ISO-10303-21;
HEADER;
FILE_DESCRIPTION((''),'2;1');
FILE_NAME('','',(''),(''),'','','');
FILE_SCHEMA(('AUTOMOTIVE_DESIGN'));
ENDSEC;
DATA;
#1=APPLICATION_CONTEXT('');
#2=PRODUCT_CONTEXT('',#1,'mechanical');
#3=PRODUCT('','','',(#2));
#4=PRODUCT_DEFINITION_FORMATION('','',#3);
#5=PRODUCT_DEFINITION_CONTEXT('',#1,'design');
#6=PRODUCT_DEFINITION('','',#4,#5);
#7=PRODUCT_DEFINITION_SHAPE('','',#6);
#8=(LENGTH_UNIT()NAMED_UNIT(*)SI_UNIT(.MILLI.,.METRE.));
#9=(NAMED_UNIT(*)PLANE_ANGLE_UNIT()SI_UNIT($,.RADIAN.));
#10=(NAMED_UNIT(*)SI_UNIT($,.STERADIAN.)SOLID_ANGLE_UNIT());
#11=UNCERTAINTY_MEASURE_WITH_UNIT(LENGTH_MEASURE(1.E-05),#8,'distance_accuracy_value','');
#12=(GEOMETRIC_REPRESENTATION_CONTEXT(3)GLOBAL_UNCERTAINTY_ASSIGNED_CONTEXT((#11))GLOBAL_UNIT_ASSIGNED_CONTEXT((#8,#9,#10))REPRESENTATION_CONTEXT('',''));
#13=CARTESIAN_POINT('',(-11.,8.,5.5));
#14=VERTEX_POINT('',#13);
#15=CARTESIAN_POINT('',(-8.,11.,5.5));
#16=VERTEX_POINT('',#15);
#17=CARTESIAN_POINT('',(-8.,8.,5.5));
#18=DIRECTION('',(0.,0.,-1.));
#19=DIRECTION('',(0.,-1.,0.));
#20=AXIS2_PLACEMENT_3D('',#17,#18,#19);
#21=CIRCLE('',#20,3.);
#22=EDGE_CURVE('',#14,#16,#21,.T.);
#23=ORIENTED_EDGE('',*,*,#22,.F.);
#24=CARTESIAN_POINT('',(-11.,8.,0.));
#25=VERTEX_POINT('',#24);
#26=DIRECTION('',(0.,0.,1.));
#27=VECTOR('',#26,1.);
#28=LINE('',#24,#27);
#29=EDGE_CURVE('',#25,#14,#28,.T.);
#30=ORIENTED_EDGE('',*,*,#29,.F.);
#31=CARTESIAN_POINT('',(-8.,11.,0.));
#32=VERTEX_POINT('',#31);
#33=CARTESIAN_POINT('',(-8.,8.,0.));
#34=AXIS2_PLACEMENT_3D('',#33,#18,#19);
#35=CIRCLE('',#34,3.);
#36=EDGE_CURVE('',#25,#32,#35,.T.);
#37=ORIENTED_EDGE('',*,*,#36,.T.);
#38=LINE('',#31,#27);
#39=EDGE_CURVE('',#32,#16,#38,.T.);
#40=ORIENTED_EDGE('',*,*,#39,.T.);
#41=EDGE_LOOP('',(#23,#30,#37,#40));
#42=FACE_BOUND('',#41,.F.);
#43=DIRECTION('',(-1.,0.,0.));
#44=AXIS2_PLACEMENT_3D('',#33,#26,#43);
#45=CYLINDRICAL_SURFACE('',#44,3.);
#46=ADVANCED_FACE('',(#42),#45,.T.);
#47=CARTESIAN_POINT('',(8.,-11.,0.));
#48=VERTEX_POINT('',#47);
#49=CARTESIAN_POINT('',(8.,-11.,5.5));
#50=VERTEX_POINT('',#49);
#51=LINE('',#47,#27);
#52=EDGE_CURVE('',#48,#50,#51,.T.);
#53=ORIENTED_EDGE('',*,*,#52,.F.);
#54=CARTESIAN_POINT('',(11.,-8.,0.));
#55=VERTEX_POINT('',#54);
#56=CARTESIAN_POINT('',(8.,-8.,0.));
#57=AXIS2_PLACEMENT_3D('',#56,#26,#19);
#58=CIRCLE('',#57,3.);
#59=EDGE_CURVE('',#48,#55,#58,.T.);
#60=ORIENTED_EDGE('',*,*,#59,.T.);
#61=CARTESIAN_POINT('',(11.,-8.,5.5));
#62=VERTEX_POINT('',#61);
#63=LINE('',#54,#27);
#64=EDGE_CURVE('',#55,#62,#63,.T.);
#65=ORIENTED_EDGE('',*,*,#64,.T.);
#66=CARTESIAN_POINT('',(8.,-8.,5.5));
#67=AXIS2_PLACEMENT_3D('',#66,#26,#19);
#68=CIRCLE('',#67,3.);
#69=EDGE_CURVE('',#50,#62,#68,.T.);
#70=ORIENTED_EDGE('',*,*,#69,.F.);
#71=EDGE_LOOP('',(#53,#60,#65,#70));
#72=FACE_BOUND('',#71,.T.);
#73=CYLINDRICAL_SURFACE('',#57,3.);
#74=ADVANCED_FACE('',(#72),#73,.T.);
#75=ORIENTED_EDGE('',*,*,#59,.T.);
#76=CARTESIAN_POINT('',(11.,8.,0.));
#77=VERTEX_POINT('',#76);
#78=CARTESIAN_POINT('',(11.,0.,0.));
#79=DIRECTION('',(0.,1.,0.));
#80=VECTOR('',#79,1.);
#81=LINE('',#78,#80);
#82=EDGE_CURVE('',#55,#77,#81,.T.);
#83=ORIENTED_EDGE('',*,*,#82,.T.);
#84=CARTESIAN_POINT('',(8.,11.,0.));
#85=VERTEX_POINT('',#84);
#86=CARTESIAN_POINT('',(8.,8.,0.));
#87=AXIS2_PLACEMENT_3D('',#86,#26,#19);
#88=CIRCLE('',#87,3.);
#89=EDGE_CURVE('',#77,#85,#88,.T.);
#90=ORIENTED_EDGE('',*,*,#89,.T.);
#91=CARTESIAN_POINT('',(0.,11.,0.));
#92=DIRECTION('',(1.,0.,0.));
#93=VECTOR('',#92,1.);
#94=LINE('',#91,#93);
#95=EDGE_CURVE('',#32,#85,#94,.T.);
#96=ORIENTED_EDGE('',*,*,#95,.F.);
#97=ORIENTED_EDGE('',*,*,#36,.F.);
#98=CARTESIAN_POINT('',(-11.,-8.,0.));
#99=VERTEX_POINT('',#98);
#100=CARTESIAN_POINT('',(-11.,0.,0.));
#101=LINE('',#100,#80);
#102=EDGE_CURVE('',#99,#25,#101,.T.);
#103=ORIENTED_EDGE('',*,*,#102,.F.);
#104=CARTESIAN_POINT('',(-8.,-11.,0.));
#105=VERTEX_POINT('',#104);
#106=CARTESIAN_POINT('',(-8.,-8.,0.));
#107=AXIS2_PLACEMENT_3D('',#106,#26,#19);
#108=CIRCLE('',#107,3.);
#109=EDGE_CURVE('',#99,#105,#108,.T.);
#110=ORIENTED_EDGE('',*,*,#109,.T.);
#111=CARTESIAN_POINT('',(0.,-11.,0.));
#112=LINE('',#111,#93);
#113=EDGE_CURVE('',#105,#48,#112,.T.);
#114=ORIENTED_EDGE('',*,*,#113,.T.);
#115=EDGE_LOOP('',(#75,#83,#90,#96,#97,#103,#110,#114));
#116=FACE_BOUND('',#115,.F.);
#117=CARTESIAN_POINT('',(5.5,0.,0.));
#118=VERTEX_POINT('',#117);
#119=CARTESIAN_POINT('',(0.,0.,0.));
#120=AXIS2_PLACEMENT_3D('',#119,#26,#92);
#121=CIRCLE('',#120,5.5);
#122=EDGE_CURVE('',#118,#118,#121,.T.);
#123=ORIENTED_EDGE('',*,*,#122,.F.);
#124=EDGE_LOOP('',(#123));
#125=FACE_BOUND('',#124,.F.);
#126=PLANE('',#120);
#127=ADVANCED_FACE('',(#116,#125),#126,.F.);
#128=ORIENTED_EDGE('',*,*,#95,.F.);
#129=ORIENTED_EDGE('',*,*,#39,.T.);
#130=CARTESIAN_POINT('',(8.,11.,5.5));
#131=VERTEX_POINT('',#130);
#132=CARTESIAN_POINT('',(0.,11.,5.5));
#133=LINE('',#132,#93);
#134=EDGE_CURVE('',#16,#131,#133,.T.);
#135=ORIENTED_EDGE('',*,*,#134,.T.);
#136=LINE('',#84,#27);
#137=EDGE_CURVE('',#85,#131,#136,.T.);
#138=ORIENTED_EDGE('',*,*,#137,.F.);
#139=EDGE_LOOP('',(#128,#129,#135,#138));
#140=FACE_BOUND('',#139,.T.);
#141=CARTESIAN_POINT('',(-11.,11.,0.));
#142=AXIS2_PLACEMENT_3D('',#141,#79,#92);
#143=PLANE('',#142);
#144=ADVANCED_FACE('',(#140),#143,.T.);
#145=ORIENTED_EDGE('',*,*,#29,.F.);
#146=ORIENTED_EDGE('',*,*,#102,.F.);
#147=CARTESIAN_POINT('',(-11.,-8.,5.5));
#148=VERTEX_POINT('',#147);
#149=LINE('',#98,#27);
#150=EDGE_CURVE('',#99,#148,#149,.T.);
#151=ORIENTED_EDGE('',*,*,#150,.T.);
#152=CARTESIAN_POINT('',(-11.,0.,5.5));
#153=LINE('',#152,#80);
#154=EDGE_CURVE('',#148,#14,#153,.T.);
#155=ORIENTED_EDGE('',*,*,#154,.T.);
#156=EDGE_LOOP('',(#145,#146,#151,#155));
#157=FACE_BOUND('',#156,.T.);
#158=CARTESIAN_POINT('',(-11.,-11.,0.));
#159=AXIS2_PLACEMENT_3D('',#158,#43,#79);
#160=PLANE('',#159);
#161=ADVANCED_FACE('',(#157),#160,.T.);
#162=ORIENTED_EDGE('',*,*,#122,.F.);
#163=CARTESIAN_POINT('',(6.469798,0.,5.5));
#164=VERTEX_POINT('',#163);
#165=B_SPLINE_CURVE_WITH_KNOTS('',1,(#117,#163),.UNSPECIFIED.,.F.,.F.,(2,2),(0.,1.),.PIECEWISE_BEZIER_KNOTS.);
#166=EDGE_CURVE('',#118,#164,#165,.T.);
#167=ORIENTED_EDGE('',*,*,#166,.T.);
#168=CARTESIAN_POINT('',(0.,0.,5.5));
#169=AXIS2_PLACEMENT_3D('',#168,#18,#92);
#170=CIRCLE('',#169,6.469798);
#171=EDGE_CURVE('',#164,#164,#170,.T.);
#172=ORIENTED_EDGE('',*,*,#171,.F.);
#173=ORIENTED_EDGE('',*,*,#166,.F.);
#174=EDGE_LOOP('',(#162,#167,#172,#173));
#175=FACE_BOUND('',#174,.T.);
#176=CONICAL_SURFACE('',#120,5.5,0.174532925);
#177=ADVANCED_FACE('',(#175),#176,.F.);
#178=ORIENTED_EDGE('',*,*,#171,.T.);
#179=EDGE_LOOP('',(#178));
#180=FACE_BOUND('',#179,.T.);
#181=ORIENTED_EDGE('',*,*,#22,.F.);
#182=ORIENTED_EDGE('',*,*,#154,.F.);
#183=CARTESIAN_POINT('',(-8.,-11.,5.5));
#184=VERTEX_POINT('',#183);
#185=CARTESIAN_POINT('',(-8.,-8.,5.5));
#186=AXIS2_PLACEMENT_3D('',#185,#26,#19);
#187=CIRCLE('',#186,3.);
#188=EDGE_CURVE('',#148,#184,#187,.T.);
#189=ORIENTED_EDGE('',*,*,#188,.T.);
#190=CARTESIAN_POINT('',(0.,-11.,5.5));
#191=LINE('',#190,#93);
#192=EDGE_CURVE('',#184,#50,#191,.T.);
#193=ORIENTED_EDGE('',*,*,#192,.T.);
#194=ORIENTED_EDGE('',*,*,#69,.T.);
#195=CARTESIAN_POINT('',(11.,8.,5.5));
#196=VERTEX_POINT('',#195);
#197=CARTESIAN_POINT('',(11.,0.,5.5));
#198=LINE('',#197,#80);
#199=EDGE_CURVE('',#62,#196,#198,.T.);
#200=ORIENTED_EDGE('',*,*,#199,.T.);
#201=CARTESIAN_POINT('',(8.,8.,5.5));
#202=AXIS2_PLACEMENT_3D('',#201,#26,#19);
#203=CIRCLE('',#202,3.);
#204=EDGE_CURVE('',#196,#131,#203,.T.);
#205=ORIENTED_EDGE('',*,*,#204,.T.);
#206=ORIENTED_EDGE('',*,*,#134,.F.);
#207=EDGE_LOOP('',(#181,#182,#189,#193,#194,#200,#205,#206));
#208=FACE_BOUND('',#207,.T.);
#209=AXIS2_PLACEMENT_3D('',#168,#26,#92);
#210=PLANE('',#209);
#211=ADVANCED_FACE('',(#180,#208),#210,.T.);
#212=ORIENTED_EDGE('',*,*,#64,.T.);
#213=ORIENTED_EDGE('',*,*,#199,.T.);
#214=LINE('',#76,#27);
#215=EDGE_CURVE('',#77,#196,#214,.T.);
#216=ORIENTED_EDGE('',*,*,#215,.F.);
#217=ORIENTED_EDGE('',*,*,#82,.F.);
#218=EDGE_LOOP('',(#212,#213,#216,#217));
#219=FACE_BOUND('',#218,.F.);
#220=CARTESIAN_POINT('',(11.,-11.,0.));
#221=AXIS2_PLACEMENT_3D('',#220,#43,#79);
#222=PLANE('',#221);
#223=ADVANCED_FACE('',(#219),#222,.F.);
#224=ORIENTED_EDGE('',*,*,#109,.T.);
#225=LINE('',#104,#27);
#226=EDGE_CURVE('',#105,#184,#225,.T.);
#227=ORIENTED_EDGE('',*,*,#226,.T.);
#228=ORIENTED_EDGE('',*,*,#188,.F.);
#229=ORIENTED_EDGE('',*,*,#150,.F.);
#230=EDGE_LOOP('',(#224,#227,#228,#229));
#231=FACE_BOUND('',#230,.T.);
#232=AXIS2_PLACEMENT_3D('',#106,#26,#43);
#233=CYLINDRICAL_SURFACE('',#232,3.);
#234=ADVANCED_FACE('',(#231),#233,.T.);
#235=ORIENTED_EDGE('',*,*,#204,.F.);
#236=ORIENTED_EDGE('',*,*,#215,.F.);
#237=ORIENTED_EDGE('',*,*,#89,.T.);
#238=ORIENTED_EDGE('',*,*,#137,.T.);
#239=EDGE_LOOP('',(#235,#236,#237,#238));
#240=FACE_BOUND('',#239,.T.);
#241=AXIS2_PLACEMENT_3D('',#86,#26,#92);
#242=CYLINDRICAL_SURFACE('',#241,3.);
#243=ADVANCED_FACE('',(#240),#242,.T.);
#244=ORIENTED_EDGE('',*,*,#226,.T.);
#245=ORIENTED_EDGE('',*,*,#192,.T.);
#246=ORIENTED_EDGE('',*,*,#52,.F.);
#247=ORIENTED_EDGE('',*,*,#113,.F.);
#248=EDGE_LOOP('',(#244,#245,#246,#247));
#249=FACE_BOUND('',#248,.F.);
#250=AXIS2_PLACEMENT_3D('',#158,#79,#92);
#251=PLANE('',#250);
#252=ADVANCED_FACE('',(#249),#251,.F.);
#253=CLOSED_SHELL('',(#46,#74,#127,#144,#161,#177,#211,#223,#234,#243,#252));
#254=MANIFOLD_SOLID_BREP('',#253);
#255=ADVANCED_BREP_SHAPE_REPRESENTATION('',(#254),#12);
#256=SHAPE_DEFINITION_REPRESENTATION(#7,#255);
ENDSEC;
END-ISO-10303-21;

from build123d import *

# Parameters (mm, degrees)
F3_W     = 22
F3_H     = 22
F4_DEPTH = 5.5
F5_R     = 3
F6_R     = 5.5
F7_DEPTH = 5.5
F7_TAPER = -10


with BuildPart() as f4:
    # F3 (on Top) → F4 (new body)
    with BuildSketch(Plane.XY):
        Rectangle(F3_W, F3_H)
    extrude(amount=F4_DEPTH)

    # F5
    f5_edges = [f4.edges().sort_by_distance(p)[0] for p in [
        (11, -11, 2.75),
        (11, 11, 2.75),
        (-11, 11, 2.75),
        (-11, -11, 2.75),
    ]]
    fillet(f5_edges, radius=F5_R)

    # F6 (on face) → F7 (cut, through all)
    with BuildSketch(Plane(origin=(0, 0, 0), x_dir=(1, 0, 0), z_dir=(0, 0, -1))):
        Circle(F6_R)
    extrude(amount=-F7_DEPTH, taper=F7_TAPER, mode=Mode.SUBTRACT)


solid = f4.part
